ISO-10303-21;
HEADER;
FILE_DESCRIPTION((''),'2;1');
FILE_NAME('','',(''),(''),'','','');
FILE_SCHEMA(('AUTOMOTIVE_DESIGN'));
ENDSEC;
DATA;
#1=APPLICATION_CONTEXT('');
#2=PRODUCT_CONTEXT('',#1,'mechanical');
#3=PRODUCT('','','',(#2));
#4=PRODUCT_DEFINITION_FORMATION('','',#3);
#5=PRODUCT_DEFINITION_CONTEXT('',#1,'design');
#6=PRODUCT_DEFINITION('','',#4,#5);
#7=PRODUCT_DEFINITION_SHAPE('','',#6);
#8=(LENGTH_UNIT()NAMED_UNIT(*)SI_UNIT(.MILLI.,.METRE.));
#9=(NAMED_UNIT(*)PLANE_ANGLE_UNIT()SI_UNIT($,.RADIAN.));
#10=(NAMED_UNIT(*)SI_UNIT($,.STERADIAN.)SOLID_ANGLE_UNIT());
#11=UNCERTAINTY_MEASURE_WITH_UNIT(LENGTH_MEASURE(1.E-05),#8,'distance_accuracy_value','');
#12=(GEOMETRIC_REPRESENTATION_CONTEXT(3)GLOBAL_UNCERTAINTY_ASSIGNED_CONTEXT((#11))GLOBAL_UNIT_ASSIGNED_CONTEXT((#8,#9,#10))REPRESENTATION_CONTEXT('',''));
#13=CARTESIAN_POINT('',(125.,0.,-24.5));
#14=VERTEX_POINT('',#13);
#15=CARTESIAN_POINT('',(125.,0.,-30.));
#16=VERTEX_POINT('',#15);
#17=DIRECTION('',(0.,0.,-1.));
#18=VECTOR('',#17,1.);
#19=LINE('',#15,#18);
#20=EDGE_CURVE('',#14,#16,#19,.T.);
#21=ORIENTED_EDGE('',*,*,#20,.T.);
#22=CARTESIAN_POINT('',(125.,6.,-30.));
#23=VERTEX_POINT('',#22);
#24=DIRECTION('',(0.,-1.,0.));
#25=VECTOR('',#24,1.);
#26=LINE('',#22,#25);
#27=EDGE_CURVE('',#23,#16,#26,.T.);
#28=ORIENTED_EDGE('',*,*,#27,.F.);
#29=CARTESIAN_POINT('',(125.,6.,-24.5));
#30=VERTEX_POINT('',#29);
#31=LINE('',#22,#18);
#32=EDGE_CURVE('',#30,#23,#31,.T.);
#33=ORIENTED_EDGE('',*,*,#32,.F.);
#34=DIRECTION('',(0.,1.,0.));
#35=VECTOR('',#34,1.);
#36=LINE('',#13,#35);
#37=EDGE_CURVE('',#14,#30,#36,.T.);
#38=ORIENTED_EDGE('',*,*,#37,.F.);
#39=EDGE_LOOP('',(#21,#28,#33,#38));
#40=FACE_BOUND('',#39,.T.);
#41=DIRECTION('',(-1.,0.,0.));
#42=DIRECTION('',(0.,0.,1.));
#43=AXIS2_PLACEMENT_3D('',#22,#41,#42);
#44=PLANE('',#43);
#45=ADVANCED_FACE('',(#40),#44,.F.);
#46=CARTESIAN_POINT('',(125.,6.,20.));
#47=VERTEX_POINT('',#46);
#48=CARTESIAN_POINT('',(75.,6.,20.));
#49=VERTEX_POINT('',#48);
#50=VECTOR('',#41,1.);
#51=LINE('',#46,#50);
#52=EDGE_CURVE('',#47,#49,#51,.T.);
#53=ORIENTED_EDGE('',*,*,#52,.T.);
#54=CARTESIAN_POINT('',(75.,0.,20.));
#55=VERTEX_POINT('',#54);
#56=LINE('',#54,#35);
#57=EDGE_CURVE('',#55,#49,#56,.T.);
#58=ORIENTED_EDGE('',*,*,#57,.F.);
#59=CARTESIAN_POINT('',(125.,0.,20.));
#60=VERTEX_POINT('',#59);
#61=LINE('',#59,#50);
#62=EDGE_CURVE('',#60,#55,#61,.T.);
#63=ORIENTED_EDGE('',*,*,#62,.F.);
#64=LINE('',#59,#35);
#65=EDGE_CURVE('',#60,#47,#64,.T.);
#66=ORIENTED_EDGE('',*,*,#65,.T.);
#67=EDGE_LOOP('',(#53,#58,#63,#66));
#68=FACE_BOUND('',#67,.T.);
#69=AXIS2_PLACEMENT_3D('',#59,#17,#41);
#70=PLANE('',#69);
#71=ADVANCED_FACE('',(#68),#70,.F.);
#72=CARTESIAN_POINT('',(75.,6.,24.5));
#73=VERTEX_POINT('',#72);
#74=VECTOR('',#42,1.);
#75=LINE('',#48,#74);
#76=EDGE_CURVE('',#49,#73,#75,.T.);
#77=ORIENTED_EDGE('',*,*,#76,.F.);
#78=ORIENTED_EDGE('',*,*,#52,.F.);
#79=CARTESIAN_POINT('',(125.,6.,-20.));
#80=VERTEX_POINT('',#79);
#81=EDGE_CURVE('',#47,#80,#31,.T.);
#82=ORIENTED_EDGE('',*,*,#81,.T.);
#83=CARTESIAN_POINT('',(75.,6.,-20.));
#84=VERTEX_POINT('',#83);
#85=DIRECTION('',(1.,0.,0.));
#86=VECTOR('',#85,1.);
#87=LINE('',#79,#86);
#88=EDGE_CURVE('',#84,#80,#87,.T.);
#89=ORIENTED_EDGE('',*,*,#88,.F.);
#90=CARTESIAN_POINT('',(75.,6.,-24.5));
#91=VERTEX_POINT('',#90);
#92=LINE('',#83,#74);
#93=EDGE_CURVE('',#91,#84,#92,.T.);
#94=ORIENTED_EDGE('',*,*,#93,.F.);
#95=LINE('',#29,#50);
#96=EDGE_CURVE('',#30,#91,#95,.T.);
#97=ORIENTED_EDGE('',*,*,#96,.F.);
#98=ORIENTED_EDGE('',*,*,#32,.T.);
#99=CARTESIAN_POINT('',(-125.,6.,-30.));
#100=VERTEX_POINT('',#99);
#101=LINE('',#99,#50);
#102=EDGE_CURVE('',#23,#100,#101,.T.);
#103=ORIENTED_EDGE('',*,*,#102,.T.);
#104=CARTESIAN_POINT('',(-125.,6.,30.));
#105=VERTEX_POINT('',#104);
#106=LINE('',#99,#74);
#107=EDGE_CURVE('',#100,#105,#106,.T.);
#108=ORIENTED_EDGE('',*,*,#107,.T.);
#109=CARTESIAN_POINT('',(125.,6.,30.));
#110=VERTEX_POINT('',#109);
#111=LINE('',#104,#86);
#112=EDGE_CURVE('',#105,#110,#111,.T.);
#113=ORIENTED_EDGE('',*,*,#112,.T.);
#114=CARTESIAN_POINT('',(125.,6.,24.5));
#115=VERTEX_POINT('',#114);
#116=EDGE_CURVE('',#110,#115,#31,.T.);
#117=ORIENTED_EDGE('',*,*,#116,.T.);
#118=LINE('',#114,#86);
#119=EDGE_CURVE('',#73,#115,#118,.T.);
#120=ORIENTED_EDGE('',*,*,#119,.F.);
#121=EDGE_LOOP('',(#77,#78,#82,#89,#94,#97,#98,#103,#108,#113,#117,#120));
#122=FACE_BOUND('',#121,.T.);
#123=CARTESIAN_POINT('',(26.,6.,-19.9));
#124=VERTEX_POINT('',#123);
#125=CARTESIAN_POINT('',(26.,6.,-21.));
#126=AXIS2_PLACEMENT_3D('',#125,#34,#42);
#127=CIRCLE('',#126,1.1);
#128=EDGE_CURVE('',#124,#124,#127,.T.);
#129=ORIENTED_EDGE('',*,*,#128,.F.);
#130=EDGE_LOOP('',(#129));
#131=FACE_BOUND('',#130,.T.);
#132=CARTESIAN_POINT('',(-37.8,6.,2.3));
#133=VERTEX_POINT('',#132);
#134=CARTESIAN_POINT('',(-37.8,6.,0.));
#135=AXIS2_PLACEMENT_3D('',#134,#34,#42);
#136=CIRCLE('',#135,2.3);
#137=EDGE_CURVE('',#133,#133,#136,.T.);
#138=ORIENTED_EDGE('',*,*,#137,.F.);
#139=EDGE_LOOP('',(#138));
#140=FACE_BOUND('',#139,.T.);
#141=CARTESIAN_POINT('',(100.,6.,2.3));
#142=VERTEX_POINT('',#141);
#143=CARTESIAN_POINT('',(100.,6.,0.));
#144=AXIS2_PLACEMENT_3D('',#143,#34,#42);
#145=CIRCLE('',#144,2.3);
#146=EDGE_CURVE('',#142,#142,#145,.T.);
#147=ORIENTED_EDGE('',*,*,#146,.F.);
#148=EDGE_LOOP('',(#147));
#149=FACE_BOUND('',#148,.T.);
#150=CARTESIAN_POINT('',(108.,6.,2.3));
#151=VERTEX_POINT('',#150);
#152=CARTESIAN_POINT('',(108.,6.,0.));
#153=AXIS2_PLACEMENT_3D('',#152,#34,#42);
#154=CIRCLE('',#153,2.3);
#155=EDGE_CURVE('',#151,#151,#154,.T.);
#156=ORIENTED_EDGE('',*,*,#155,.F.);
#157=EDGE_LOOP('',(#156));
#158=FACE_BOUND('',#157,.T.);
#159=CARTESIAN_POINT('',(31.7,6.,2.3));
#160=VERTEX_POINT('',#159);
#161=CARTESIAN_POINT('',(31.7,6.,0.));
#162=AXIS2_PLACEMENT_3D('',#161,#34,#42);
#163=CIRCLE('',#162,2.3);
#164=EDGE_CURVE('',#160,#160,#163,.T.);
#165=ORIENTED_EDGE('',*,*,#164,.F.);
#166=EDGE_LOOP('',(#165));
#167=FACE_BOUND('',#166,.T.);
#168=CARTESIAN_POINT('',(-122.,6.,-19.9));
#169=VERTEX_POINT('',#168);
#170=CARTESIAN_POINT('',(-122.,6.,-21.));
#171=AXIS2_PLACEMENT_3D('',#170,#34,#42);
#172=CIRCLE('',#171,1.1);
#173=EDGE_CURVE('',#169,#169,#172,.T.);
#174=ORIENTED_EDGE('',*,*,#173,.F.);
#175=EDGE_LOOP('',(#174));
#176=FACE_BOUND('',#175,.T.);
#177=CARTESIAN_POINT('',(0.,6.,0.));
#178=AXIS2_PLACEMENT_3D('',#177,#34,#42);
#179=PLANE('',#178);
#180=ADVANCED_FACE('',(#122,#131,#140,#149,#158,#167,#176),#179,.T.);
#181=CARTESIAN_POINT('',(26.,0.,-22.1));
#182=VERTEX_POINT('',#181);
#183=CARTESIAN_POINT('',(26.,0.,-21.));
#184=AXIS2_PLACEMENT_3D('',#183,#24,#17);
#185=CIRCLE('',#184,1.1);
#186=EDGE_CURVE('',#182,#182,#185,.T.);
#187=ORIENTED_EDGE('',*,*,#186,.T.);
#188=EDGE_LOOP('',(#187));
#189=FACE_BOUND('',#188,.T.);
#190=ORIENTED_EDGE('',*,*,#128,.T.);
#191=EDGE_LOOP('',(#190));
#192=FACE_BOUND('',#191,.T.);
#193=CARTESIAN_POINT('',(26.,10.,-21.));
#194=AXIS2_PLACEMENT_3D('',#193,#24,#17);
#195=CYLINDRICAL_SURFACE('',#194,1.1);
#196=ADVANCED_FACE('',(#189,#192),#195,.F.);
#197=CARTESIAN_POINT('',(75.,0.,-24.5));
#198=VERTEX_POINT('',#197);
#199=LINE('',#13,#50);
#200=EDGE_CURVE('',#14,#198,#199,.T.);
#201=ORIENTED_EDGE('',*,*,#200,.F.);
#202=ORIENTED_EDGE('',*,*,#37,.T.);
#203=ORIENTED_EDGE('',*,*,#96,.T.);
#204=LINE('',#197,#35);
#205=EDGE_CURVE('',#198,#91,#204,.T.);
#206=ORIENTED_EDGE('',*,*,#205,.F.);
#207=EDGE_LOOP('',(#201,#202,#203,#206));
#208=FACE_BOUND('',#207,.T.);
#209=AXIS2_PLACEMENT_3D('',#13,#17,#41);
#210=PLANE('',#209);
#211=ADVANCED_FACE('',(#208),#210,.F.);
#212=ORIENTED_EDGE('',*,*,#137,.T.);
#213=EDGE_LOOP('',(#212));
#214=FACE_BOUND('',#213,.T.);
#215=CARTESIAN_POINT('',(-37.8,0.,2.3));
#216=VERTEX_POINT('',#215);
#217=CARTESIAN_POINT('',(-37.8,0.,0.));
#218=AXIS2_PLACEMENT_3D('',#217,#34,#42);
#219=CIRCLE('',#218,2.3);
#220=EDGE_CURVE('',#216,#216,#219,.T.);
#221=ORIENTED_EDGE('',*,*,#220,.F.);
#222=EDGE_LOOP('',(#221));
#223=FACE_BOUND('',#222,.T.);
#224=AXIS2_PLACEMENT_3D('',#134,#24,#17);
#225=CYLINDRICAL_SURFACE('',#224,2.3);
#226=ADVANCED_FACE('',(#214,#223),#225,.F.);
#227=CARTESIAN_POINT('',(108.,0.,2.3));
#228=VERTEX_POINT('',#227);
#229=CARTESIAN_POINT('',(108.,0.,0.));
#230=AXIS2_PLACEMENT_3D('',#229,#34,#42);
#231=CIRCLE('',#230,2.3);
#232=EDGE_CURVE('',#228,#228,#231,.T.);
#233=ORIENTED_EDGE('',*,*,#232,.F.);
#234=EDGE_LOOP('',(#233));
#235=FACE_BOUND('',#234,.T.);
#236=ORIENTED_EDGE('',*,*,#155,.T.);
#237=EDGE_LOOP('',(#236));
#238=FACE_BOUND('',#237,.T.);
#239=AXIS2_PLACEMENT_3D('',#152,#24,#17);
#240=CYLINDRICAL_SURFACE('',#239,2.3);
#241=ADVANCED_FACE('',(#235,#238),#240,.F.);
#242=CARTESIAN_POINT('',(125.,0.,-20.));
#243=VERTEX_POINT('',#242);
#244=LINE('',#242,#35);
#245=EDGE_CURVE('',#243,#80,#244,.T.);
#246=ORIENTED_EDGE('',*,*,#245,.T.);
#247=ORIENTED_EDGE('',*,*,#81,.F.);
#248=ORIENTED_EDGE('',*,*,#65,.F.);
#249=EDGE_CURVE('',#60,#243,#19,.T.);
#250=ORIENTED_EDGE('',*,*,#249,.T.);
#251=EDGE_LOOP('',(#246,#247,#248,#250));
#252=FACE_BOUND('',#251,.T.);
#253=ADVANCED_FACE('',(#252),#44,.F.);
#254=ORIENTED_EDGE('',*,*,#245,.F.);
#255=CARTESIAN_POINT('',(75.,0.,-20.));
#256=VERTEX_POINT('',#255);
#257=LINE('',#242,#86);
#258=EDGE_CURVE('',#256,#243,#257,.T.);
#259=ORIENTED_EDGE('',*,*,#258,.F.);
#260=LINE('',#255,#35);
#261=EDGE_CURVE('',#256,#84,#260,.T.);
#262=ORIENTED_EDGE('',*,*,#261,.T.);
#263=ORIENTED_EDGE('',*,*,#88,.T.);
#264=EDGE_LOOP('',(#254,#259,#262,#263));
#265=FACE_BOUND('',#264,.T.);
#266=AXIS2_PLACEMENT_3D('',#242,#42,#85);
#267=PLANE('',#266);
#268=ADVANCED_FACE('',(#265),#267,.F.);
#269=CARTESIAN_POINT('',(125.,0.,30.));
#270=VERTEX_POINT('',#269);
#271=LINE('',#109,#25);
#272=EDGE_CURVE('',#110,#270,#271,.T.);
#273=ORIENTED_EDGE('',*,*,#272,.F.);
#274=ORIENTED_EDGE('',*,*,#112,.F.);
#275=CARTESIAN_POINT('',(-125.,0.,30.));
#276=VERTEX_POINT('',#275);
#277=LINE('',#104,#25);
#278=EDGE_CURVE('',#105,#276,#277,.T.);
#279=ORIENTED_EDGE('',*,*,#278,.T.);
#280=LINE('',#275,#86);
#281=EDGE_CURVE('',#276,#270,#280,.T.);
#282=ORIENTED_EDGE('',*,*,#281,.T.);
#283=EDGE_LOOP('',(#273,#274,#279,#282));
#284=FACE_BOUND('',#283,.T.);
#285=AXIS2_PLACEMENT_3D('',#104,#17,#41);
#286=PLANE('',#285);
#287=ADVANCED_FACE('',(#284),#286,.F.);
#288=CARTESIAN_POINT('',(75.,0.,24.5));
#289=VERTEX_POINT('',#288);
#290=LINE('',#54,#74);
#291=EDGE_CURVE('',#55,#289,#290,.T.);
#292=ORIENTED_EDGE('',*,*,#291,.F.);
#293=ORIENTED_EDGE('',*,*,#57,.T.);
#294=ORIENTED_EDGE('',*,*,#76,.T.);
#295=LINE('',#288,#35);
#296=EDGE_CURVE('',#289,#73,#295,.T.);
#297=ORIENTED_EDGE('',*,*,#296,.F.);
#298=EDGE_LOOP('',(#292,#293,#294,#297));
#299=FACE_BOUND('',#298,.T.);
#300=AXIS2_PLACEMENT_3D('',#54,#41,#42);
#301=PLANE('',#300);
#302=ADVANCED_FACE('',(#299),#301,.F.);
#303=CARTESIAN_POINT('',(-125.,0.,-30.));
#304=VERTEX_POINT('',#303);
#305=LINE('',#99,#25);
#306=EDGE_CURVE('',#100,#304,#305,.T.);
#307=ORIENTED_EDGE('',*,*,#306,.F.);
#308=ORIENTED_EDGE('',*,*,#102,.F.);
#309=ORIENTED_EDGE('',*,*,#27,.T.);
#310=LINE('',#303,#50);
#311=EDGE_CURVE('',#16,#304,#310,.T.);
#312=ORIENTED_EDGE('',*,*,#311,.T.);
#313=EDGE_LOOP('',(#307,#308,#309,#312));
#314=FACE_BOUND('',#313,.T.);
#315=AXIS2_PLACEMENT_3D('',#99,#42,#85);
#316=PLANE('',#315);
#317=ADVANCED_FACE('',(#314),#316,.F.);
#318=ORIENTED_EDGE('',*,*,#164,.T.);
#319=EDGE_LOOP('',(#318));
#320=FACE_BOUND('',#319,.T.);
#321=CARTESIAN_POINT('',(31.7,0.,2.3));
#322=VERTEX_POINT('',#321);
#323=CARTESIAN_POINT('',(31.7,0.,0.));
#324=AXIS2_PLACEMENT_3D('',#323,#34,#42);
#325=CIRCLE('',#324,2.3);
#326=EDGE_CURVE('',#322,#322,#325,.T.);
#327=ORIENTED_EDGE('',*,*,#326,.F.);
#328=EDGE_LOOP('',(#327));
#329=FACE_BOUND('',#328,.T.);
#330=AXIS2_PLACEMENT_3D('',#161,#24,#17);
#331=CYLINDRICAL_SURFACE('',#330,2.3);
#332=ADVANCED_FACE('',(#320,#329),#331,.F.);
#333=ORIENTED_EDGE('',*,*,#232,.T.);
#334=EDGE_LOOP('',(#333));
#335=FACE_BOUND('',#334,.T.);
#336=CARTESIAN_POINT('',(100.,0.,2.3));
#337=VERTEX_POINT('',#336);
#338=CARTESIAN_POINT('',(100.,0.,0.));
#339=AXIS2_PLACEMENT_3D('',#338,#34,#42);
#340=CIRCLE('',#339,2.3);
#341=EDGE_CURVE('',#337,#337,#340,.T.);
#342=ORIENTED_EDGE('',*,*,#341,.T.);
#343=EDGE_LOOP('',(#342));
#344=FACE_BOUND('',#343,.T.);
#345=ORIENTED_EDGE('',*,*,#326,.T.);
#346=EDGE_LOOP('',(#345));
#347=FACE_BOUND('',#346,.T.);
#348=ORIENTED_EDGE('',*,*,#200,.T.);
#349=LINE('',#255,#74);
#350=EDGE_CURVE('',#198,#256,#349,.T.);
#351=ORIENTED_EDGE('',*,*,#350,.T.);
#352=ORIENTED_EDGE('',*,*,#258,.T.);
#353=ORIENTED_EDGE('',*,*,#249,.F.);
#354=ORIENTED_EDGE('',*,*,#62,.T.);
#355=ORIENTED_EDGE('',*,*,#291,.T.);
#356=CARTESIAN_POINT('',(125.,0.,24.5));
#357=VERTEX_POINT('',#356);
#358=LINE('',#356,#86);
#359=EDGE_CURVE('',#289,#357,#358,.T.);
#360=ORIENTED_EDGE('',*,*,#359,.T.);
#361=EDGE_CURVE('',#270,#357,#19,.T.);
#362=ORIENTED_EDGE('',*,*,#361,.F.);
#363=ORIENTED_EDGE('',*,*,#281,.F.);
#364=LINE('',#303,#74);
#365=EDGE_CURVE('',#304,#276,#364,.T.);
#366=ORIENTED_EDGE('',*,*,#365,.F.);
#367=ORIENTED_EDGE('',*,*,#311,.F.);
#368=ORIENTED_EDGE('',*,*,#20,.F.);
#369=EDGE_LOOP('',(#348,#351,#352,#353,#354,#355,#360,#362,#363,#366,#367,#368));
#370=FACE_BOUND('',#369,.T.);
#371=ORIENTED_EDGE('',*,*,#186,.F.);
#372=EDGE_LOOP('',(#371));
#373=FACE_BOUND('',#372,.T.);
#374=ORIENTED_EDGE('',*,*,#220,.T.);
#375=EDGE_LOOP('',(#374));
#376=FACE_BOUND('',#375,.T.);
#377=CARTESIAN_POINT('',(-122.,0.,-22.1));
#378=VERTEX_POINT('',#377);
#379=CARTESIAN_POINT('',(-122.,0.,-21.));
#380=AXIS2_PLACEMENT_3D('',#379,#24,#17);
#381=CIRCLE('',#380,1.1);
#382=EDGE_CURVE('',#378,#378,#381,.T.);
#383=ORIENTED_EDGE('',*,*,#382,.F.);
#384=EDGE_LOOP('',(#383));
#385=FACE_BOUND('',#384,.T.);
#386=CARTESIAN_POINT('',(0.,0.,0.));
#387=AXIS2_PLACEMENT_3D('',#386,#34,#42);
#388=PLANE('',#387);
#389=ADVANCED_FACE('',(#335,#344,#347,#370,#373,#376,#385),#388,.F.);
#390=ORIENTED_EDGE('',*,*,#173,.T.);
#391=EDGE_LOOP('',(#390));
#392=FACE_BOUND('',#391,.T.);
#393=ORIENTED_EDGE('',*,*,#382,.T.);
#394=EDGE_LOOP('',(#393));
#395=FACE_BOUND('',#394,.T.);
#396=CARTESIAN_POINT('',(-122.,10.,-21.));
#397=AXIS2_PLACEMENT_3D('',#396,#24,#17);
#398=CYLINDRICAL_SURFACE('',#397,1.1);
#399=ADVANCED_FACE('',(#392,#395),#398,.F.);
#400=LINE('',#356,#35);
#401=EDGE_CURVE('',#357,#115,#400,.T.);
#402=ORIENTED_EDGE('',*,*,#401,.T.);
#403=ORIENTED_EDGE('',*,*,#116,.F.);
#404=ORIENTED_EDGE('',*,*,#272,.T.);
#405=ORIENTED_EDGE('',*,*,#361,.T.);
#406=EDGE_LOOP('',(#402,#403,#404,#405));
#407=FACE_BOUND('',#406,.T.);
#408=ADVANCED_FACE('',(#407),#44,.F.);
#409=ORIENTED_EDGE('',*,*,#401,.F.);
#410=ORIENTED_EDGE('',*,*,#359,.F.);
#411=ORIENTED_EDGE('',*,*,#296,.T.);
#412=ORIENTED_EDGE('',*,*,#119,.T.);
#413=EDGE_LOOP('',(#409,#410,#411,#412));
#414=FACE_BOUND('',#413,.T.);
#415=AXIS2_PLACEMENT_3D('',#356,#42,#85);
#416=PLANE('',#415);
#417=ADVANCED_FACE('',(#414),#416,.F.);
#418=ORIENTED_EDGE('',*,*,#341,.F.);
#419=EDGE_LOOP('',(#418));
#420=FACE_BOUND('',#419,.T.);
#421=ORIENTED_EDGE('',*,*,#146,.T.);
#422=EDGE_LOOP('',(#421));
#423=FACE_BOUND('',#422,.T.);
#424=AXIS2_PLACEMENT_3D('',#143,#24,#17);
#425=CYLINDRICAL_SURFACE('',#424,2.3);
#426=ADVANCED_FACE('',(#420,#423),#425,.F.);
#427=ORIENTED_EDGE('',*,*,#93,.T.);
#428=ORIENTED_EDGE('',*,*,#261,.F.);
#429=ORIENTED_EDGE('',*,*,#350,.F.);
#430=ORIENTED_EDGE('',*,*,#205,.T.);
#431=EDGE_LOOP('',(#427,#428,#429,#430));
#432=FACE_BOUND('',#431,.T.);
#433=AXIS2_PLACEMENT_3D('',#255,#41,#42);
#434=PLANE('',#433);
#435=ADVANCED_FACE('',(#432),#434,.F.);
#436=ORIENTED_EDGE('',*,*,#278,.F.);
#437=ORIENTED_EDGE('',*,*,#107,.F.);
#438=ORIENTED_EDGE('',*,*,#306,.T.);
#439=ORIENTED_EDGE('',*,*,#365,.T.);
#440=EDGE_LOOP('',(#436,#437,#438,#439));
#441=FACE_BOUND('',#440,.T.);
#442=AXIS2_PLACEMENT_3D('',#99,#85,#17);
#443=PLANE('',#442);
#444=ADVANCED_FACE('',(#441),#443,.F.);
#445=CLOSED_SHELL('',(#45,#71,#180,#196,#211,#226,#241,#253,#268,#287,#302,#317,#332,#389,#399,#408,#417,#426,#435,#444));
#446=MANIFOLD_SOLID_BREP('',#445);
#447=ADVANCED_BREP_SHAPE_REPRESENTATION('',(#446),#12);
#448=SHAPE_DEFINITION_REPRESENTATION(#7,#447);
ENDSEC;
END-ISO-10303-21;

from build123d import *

# Parameters (mm, degrees)
SKETCH1_W           = 250
SKETCH1_H           = 60
SKETCH1_R           = 2.3
BOSS_EXTRUDE1_DEPTH = 6
SKETCH2_W           = 50
SKETCH2_H           = 4.5
CUT_EXTRUDE1_DEPTH  = 6
SKETCH3_R           = 1.1
CUT_EXTRUDE2_DEPTH  = 10


with BuildPart() as part:
    # Sketch1 → Boss-Extrude1 (new body)
    with BuildSketch(Plane(origin=(0, 0, 0), x_dir=(1, 0, 0), z_dir=(0, 1, 0))):
        Rectangle(SKETCH1_W, SKETCH1_H)
        with Locations((108, 0)):
            Circle(SKETCH1_R, mode=Mode.SUBTRACT)
        with Locations((100, 0)):
            Circle(SKETCH1_R, mode=Mode.SUBTRACT)
        with Locations((31.7, 0)):
            Circle(SKETCH1_R, mode=Mode.SUBTRACT)
        with Locations((-37.8, 0)):
            Circle(SKETCH1_R, mode=Mode.SUBTRACT)
    extrude(amount=BOSS_EXTRUDE1_DEPTH)

    # Sketch2 → Cut-Extrude1 (cut)
    with BuildSketch(Plane(origin=(0, 6, 0), x_dir=(1, 0, 0), z_dir=(0, 1, 0))):
        with Locations((100, -22.25)):
            Rectangle(SKETCH2_W, SKETCH2_H)
        with Locations((100, 22.25)):
            Rectangle(SKETCH2_W, SKETCH2_H)
    extrude(amount=-CUT_EXTRUDE1_DEPTH, mode=Mode.SUBTRACT)

    # Sketch3 → Cut-Extrude2 (cut)
    with BuildSketch(Plane.XZ):
        with Locations((-122, -21)):
            Circle(SKETCH3_R)
        with Locations((26, -21)):
            Circle(SKETCH3_R)
    extrude(amount=-CUT_EXTRUDE2_DEPTH, mode=Mode.SUBTRACT)


solid = part.part
